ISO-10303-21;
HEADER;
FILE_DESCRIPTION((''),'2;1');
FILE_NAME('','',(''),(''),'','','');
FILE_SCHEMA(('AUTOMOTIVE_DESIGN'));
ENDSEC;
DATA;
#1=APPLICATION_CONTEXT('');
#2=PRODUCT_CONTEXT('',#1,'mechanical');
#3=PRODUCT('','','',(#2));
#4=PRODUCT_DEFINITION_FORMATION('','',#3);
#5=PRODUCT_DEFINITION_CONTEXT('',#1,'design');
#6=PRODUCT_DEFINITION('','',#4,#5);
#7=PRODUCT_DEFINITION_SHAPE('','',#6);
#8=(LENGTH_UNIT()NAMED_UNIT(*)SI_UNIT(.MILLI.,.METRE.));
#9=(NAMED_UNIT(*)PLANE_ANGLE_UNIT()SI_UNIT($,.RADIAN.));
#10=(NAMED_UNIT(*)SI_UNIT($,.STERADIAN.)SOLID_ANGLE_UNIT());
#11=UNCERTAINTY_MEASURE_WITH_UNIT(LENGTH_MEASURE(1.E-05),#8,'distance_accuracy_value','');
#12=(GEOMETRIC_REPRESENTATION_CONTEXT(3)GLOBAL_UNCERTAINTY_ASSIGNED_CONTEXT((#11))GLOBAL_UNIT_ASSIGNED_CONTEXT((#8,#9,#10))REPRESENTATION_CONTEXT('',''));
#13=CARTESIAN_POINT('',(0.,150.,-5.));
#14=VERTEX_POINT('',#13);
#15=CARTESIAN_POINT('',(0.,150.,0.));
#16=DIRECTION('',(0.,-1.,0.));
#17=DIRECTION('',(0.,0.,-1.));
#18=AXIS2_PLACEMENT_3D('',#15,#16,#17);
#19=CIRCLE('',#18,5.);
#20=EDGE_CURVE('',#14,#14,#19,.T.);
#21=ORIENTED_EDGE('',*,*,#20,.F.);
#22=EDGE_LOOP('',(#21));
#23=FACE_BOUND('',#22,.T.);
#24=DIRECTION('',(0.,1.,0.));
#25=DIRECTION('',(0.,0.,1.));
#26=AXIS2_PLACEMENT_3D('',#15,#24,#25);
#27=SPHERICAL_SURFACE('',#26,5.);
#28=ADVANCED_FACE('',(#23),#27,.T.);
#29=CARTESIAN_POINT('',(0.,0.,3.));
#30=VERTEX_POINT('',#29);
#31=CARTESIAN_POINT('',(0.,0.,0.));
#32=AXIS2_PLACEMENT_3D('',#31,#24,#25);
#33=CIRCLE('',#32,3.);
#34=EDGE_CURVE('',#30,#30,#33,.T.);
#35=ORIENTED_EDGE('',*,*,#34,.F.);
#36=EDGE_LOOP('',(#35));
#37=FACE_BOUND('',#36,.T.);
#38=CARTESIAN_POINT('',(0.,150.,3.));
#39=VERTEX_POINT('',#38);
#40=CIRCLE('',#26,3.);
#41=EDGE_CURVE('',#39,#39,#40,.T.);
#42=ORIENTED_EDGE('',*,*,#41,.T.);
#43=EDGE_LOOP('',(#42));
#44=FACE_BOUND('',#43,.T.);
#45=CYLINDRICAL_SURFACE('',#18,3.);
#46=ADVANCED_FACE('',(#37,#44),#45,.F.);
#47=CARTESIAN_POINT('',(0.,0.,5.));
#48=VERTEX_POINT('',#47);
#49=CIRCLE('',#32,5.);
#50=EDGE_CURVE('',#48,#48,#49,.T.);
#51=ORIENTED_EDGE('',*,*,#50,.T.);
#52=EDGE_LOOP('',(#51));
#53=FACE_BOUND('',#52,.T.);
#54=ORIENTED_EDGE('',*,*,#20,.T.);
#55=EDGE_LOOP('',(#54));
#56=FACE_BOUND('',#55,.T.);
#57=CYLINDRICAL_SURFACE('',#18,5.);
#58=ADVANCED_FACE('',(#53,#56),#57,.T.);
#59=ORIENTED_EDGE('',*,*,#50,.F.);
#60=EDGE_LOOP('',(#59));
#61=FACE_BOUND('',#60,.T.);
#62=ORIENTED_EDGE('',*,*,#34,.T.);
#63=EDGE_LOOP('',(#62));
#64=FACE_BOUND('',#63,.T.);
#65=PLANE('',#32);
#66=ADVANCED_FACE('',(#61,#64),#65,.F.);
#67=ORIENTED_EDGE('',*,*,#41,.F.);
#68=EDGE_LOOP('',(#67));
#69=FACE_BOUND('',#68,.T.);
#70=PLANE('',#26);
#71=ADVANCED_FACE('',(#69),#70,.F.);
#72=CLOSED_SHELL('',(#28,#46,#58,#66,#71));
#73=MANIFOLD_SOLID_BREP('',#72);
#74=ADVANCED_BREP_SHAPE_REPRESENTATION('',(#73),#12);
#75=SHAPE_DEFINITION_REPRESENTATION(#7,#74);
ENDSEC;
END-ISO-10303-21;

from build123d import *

# Parameters (mm, degrees)
IZIM1_R                     = 5
IZIM1_R_2                   = 3
Y_KSEKLIK_EKSTR_ZYON1_DEPTH = 150
IZIM2_R                     = 5
Y_KSEKLIK_EKSTR_ZYON2_DEPTH = 5
RADYUS1_R                   = 5


with BuildPart() as part:
    # Çizim1 → Yükseklik-Ekstrüzyon1 (new body)
    with BuildSketch(Plane(origin=(0, 0, 0), x_dir=(1, 0, 0), z_dir=(0, 1, 0))):
        with Locations(Location((0, 0, 0), (0, 0, 270))):
            Circle(IZIM1_R)
        with Locations(Location((0, 0, 0), (0, 0, 270))):
            Circle(IZIM1_R_2, mode=Mode.SUBTRACT)
    extrude(amount=Y_KSEKLIK_EKSTR_ZYON1_DEPTH)

    # Çizim2 → Yükseklik-Ekstrüzyon2 (add)
    with BuildSketch(Plane(origin=(0, 150, 0), x_dir=(1, 0, 0), z_dir=(0, 1, 0))):
        with Locations(Location((0, 0, 0), (0, 0, 270))):
            Circle(IZIM2_R)
    extrude(amount=Y_KSEKLIK_EKSTR_ZYON2_DEPTH)

    # Radyus1
    radyus1_edges = [part.edges().sort_by_distance(p)[0] for p in [
        (0, 155, -5),
    ]]
    fillet(radyus1_edges, radius=RADYUS1_R)


solid = part.part
